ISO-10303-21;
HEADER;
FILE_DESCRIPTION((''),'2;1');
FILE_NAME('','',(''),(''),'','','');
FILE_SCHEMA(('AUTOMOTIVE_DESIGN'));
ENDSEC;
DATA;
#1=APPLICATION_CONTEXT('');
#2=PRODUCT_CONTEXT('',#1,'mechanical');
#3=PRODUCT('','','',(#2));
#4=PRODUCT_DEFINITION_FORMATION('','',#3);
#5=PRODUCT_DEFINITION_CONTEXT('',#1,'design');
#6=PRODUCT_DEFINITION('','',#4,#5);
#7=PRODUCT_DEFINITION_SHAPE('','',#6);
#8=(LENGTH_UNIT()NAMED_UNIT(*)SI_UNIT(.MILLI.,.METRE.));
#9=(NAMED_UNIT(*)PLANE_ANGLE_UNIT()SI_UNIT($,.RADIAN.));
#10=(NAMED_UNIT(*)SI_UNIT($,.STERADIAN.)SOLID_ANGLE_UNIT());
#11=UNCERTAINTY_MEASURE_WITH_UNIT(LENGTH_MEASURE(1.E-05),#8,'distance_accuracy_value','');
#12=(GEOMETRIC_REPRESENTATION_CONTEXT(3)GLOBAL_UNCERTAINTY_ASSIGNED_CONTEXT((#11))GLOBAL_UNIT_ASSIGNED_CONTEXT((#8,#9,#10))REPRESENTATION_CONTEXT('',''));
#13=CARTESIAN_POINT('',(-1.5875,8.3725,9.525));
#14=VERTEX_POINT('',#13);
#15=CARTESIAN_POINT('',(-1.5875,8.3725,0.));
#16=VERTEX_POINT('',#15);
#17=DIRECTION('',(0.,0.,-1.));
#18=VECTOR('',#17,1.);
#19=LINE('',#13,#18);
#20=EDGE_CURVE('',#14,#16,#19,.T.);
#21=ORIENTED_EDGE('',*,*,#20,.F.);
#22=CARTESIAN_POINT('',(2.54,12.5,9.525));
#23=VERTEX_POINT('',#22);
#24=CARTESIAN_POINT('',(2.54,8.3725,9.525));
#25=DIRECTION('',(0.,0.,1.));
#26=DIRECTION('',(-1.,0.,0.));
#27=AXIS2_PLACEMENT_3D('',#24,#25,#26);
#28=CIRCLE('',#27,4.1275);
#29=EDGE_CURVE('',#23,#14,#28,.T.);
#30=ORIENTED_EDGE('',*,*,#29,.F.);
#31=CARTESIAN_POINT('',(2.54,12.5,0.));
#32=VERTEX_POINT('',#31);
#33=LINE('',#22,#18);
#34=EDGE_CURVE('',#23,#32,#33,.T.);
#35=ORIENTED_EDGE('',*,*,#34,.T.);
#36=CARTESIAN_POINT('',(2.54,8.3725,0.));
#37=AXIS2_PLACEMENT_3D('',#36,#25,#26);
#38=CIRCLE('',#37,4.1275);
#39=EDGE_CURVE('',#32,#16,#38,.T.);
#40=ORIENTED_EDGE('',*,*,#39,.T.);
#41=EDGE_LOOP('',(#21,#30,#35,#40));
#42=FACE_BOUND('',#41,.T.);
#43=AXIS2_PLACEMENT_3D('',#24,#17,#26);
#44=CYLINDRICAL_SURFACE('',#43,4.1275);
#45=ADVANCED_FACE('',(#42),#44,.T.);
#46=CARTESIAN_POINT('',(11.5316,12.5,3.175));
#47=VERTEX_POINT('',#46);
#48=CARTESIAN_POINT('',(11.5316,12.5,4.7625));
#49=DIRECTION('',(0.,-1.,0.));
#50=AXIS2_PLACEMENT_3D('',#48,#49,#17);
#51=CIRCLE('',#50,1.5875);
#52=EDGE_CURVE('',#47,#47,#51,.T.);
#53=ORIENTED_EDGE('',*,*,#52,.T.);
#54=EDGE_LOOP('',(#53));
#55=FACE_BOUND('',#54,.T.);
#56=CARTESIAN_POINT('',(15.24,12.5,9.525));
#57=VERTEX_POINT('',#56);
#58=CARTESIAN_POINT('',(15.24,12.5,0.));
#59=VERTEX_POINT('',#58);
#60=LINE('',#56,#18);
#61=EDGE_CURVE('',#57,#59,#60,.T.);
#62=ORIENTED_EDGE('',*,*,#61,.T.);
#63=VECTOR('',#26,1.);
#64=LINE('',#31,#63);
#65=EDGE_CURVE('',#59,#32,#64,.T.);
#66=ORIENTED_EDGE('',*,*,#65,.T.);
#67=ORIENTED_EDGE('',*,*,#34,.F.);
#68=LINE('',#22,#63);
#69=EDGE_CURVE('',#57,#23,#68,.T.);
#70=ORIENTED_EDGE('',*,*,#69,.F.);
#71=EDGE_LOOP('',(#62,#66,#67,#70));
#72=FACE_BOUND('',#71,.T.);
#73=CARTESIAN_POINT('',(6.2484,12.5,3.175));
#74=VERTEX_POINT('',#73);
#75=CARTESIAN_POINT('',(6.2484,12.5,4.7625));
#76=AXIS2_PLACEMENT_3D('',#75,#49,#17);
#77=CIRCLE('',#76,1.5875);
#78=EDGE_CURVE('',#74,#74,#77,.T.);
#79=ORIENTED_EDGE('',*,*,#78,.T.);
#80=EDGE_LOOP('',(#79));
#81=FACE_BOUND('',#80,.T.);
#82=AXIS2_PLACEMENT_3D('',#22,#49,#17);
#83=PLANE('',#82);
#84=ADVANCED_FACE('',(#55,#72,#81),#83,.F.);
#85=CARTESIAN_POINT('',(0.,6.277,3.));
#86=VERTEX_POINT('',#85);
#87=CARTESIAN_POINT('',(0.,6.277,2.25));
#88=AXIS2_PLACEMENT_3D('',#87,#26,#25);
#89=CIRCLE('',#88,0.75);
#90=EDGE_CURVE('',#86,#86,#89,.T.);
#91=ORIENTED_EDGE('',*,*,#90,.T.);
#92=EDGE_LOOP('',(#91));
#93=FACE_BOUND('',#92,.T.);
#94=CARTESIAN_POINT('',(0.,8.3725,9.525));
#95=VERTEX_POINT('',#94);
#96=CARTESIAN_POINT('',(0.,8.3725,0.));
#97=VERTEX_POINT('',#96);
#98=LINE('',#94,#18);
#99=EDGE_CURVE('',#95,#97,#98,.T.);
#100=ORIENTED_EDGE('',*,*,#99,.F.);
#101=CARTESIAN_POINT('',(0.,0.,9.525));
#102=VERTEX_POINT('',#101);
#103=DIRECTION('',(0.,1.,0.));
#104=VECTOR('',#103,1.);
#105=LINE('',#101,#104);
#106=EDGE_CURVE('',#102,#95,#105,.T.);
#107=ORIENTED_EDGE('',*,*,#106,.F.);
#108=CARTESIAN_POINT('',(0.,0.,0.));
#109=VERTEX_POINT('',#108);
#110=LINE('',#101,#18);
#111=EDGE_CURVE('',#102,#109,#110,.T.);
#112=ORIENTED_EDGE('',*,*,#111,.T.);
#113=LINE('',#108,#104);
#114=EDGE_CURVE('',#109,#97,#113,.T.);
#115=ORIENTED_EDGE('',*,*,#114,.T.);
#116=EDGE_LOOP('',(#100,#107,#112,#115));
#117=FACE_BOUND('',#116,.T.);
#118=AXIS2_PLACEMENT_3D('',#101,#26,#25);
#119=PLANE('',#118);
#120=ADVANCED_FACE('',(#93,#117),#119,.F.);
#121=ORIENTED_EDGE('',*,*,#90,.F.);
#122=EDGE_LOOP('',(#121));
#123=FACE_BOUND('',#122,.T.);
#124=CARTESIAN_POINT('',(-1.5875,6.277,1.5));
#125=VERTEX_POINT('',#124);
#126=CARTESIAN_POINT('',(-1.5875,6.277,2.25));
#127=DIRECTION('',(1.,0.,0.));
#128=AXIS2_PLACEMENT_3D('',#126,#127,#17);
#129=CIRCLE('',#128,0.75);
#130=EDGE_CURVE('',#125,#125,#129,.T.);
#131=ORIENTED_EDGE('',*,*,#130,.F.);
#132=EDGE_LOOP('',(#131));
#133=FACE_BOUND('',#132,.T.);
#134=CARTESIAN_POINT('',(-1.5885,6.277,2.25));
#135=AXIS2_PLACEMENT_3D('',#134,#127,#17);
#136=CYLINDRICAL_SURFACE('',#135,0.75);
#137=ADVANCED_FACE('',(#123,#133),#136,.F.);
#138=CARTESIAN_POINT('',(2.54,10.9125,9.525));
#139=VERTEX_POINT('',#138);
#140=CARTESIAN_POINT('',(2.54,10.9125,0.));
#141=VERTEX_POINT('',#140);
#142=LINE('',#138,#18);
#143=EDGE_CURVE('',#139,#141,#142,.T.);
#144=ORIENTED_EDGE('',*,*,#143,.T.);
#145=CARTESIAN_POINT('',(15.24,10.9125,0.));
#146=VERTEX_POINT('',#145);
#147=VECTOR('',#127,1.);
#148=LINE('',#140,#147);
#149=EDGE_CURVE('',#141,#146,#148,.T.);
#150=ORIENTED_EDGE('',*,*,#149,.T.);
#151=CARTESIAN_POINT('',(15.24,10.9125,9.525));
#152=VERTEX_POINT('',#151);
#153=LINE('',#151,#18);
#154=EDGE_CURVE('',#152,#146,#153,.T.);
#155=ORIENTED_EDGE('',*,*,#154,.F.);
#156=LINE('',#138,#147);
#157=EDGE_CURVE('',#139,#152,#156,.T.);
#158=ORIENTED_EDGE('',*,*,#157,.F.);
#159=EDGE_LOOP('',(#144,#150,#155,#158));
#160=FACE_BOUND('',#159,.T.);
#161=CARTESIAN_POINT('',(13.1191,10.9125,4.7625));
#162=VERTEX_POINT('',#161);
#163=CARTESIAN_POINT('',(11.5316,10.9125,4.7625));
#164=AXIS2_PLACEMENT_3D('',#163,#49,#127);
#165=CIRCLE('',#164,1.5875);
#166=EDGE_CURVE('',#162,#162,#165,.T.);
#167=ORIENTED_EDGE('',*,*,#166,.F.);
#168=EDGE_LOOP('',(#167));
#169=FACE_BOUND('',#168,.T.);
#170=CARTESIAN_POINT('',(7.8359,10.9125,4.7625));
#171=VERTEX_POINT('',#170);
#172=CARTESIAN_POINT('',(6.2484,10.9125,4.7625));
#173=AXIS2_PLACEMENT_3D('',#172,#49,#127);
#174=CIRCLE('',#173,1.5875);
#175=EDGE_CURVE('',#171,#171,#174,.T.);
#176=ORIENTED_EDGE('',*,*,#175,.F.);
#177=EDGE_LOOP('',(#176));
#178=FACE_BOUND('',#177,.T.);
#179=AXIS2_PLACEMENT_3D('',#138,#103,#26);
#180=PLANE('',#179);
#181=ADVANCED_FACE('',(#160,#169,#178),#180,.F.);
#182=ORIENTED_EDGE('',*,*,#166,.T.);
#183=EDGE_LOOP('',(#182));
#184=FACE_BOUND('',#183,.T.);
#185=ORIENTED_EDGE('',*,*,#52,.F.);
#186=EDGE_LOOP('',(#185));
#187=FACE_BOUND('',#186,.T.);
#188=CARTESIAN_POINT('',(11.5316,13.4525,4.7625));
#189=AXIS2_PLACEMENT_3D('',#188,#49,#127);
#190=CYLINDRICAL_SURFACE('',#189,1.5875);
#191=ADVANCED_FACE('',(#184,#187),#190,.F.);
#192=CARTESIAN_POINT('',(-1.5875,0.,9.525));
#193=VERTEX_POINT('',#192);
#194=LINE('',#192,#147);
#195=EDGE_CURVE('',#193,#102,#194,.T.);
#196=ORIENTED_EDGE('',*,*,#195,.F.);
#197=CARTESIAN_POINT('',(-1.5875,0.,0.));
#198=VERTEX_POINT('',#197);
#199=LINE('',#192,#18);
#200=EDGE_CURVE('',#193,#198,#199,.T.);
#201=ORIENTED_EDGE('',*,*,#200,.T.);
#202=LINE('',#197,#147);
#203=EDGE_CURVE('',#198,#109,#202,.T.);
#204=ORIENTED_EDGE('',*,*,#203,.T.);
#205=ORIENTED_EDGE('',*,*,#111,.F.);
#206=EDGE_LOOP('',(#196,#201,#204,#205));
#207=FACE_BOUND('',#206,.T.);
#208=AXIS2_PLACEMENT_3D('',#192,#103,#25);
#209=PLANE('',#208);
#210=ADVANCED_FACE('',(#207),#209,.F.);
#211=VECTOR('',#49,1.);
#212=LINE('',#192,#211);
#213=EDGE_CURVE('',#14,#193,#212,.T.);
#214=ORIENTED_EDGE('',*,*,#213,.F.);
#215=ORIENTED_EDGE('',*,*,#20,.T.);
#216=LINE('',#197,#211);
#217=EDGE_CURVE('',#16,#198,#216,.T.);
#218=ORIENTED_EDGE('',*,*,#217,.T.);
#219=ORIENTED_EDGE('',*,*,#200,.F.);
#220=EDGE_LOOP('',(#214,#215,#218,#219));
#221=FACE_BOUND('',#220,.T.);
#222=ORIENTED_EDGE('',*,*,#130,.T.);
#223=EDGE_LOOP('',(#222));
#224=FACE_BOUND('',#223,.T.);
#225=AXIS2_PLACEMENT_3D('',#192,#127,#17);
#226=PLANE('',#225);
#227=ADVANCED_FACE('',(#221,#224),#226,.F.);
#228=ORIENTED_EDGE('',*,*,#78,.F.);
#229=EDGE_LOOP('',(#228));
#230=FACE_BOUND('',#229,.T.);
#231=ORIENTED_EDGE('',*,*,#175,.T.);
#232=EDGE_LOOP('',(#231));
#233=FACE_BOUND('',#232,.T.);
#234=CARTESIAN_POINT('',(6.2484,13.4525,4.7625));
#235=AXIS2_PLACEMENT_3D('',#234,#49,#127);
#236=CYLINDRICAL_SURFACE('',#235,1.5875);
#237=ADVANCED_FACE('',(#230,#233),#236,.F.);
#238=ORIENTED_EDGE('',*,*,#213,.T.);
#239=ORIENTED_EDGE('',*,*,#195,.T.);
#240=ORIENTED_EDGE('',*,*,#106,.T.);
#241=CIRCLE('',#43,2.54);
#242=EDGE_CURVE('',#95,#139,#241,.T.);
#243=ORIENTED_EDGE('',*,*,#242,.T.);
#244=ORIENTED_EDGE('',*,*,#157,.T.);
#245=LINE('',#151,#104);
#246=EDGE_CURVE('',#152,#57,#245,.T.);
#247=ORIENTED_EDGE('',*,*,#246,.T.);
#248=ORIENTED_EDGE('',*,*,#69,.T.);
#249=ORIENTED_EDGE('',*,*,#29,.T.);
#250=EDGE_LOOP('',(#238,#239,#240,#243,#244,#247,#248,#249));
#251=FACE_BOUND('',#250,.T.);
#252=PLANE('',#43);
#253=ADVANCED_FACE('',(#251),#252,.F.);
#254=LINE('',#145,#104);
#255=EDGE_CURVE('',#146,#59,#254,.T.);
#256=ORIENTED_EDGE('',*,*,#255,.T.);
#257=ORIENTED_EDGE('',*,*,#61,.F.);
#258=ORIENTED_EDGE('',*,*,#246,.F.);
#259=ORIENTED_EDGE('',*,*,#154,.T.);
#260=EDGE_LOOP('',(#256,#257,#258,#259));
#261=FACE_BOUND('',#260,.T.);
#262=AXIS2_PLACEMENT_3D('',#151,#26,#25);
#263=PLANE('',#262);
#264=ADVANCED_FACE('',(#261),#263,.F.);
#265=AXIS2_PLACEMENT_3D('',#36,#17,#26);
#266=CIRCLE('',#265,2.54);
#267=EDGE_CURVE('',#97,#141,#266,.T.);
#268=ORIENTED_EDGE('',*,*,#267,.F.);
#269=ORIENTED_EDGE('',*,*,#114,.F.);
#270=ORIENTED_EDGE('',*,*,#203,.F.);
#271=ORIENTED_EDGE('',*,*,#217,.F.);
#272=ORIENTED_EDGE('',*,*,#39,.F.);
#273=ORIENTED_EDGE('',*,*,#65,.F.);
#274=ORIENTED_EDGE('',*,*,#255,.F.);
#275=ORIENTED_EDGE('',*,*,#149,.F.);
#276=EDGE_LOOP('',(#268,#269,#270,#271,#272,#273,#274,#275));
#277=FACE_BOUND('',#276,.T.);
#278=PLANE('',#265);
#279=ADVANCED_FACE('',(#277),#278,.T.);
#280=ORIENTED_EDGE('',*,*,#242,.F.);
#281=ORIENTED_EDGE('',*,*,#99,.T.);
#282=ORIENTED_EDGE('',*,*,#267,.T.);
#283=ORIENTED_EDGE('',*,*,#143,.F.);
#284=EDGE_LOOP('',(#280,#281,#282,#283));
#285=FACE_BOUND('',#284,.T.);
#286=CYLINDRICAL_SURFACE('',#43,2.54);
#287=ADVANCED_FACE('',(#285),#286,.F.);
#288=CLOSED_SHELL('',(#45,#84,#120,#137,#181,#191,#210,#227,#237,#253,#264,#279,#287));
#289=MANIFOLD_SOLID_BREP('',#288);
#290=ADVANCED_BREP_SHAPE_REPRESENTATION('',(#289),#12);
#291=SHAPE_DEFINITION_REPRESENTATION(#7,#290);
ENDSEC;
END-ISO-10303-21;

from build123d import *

# Parameters (mm, degrees)
BOSS_EXTRUDE1_DEPTH = 9.525
SKETCH2_R           = 0.75
CUT_EXTRUDE1_DEPTH  = 1.5875
CUT_EXTRUDE2_DEPTH  = 2.54


with BuildPart() as part:
    # Sketch1 → Boss-Extrude1 (new body)
    with BuildSketch(Plane.XY):
        with BuildLine():
            Line((0, 0), (0, 8.3725))
            ThreePointArc((0, 8.3725), (0.743948776, 10.168551224), (2.54, 10.9125))
            Line((2.54, 10.9125), (15.24, 10.9125))
            Line((15.24, 10.9125), (15.24, 12.5))
            Line((15.24, 12.5), (2.54, 12.5))
            ThreePointArc((2.54, 12.5), (-0.378583239, 11.291083239), (-1.5875, 8.3725))
            Line((-1.5875, 8.3725), (-1.5875, 0))
            Line((-1.5875, 0), (0, 0))
        make_face()
    extrude(amount=BOSS_EXTRUDE1_DEPTH)

    # Sketch2 → Cut-Extrude1 (cut)
    with BuildSketch(Plane(origin=(0, 0, 0), x_dir=(0, 0, -1), z_dir=(1, 0, 0))):
        with Locations((-2.25, 6.277)):
            Circle(SKETCH2_R)
    extrude(amount=-CUT_EXTRUDE1_DEPTH, mode=Mode.SUBTRACT)

    # Sketch3 → Cut-Extrude2 (cut)
    with BuildSketch(Plane.XZ.offset(-10.9125)):
        with BuildLine():
            ThreePointArc((4.6609, 4.7625), (6.2484, 3.175), (7.8359, 4.7625))
            Line((7.8359, 4.7625), (4.6609, 4.7625))
        make_face()
        with BuildLine():
            Line((4.6609, 4.7625), (7.8359, 4.7625))
            ThreePointArc((7.8359, 4.7625), (6.2484, 6.35), (4.6609, 4.7625))
        make_face()
        with BuildLine():
            ThreePointArc((9.9441, 4.7625), (11.5316, 3.175), (13.1191, 4.7625))
            Line((13.1191, 4.7625), (9.9441, 4.7625))
        make_face()
        with BuildLine():
            Line((9.9441, 4.7625), (13.1191, 4.7625))
            ThreePointArc((13.1191, 4.7625), (11.5316, 6.35), (9.9441, 4.7625))
        make_face()
    extrude(amount=-CUT_EXTRUDE2_DEPTH, mode=Mode.SUBTRACT)


solid = part.part
